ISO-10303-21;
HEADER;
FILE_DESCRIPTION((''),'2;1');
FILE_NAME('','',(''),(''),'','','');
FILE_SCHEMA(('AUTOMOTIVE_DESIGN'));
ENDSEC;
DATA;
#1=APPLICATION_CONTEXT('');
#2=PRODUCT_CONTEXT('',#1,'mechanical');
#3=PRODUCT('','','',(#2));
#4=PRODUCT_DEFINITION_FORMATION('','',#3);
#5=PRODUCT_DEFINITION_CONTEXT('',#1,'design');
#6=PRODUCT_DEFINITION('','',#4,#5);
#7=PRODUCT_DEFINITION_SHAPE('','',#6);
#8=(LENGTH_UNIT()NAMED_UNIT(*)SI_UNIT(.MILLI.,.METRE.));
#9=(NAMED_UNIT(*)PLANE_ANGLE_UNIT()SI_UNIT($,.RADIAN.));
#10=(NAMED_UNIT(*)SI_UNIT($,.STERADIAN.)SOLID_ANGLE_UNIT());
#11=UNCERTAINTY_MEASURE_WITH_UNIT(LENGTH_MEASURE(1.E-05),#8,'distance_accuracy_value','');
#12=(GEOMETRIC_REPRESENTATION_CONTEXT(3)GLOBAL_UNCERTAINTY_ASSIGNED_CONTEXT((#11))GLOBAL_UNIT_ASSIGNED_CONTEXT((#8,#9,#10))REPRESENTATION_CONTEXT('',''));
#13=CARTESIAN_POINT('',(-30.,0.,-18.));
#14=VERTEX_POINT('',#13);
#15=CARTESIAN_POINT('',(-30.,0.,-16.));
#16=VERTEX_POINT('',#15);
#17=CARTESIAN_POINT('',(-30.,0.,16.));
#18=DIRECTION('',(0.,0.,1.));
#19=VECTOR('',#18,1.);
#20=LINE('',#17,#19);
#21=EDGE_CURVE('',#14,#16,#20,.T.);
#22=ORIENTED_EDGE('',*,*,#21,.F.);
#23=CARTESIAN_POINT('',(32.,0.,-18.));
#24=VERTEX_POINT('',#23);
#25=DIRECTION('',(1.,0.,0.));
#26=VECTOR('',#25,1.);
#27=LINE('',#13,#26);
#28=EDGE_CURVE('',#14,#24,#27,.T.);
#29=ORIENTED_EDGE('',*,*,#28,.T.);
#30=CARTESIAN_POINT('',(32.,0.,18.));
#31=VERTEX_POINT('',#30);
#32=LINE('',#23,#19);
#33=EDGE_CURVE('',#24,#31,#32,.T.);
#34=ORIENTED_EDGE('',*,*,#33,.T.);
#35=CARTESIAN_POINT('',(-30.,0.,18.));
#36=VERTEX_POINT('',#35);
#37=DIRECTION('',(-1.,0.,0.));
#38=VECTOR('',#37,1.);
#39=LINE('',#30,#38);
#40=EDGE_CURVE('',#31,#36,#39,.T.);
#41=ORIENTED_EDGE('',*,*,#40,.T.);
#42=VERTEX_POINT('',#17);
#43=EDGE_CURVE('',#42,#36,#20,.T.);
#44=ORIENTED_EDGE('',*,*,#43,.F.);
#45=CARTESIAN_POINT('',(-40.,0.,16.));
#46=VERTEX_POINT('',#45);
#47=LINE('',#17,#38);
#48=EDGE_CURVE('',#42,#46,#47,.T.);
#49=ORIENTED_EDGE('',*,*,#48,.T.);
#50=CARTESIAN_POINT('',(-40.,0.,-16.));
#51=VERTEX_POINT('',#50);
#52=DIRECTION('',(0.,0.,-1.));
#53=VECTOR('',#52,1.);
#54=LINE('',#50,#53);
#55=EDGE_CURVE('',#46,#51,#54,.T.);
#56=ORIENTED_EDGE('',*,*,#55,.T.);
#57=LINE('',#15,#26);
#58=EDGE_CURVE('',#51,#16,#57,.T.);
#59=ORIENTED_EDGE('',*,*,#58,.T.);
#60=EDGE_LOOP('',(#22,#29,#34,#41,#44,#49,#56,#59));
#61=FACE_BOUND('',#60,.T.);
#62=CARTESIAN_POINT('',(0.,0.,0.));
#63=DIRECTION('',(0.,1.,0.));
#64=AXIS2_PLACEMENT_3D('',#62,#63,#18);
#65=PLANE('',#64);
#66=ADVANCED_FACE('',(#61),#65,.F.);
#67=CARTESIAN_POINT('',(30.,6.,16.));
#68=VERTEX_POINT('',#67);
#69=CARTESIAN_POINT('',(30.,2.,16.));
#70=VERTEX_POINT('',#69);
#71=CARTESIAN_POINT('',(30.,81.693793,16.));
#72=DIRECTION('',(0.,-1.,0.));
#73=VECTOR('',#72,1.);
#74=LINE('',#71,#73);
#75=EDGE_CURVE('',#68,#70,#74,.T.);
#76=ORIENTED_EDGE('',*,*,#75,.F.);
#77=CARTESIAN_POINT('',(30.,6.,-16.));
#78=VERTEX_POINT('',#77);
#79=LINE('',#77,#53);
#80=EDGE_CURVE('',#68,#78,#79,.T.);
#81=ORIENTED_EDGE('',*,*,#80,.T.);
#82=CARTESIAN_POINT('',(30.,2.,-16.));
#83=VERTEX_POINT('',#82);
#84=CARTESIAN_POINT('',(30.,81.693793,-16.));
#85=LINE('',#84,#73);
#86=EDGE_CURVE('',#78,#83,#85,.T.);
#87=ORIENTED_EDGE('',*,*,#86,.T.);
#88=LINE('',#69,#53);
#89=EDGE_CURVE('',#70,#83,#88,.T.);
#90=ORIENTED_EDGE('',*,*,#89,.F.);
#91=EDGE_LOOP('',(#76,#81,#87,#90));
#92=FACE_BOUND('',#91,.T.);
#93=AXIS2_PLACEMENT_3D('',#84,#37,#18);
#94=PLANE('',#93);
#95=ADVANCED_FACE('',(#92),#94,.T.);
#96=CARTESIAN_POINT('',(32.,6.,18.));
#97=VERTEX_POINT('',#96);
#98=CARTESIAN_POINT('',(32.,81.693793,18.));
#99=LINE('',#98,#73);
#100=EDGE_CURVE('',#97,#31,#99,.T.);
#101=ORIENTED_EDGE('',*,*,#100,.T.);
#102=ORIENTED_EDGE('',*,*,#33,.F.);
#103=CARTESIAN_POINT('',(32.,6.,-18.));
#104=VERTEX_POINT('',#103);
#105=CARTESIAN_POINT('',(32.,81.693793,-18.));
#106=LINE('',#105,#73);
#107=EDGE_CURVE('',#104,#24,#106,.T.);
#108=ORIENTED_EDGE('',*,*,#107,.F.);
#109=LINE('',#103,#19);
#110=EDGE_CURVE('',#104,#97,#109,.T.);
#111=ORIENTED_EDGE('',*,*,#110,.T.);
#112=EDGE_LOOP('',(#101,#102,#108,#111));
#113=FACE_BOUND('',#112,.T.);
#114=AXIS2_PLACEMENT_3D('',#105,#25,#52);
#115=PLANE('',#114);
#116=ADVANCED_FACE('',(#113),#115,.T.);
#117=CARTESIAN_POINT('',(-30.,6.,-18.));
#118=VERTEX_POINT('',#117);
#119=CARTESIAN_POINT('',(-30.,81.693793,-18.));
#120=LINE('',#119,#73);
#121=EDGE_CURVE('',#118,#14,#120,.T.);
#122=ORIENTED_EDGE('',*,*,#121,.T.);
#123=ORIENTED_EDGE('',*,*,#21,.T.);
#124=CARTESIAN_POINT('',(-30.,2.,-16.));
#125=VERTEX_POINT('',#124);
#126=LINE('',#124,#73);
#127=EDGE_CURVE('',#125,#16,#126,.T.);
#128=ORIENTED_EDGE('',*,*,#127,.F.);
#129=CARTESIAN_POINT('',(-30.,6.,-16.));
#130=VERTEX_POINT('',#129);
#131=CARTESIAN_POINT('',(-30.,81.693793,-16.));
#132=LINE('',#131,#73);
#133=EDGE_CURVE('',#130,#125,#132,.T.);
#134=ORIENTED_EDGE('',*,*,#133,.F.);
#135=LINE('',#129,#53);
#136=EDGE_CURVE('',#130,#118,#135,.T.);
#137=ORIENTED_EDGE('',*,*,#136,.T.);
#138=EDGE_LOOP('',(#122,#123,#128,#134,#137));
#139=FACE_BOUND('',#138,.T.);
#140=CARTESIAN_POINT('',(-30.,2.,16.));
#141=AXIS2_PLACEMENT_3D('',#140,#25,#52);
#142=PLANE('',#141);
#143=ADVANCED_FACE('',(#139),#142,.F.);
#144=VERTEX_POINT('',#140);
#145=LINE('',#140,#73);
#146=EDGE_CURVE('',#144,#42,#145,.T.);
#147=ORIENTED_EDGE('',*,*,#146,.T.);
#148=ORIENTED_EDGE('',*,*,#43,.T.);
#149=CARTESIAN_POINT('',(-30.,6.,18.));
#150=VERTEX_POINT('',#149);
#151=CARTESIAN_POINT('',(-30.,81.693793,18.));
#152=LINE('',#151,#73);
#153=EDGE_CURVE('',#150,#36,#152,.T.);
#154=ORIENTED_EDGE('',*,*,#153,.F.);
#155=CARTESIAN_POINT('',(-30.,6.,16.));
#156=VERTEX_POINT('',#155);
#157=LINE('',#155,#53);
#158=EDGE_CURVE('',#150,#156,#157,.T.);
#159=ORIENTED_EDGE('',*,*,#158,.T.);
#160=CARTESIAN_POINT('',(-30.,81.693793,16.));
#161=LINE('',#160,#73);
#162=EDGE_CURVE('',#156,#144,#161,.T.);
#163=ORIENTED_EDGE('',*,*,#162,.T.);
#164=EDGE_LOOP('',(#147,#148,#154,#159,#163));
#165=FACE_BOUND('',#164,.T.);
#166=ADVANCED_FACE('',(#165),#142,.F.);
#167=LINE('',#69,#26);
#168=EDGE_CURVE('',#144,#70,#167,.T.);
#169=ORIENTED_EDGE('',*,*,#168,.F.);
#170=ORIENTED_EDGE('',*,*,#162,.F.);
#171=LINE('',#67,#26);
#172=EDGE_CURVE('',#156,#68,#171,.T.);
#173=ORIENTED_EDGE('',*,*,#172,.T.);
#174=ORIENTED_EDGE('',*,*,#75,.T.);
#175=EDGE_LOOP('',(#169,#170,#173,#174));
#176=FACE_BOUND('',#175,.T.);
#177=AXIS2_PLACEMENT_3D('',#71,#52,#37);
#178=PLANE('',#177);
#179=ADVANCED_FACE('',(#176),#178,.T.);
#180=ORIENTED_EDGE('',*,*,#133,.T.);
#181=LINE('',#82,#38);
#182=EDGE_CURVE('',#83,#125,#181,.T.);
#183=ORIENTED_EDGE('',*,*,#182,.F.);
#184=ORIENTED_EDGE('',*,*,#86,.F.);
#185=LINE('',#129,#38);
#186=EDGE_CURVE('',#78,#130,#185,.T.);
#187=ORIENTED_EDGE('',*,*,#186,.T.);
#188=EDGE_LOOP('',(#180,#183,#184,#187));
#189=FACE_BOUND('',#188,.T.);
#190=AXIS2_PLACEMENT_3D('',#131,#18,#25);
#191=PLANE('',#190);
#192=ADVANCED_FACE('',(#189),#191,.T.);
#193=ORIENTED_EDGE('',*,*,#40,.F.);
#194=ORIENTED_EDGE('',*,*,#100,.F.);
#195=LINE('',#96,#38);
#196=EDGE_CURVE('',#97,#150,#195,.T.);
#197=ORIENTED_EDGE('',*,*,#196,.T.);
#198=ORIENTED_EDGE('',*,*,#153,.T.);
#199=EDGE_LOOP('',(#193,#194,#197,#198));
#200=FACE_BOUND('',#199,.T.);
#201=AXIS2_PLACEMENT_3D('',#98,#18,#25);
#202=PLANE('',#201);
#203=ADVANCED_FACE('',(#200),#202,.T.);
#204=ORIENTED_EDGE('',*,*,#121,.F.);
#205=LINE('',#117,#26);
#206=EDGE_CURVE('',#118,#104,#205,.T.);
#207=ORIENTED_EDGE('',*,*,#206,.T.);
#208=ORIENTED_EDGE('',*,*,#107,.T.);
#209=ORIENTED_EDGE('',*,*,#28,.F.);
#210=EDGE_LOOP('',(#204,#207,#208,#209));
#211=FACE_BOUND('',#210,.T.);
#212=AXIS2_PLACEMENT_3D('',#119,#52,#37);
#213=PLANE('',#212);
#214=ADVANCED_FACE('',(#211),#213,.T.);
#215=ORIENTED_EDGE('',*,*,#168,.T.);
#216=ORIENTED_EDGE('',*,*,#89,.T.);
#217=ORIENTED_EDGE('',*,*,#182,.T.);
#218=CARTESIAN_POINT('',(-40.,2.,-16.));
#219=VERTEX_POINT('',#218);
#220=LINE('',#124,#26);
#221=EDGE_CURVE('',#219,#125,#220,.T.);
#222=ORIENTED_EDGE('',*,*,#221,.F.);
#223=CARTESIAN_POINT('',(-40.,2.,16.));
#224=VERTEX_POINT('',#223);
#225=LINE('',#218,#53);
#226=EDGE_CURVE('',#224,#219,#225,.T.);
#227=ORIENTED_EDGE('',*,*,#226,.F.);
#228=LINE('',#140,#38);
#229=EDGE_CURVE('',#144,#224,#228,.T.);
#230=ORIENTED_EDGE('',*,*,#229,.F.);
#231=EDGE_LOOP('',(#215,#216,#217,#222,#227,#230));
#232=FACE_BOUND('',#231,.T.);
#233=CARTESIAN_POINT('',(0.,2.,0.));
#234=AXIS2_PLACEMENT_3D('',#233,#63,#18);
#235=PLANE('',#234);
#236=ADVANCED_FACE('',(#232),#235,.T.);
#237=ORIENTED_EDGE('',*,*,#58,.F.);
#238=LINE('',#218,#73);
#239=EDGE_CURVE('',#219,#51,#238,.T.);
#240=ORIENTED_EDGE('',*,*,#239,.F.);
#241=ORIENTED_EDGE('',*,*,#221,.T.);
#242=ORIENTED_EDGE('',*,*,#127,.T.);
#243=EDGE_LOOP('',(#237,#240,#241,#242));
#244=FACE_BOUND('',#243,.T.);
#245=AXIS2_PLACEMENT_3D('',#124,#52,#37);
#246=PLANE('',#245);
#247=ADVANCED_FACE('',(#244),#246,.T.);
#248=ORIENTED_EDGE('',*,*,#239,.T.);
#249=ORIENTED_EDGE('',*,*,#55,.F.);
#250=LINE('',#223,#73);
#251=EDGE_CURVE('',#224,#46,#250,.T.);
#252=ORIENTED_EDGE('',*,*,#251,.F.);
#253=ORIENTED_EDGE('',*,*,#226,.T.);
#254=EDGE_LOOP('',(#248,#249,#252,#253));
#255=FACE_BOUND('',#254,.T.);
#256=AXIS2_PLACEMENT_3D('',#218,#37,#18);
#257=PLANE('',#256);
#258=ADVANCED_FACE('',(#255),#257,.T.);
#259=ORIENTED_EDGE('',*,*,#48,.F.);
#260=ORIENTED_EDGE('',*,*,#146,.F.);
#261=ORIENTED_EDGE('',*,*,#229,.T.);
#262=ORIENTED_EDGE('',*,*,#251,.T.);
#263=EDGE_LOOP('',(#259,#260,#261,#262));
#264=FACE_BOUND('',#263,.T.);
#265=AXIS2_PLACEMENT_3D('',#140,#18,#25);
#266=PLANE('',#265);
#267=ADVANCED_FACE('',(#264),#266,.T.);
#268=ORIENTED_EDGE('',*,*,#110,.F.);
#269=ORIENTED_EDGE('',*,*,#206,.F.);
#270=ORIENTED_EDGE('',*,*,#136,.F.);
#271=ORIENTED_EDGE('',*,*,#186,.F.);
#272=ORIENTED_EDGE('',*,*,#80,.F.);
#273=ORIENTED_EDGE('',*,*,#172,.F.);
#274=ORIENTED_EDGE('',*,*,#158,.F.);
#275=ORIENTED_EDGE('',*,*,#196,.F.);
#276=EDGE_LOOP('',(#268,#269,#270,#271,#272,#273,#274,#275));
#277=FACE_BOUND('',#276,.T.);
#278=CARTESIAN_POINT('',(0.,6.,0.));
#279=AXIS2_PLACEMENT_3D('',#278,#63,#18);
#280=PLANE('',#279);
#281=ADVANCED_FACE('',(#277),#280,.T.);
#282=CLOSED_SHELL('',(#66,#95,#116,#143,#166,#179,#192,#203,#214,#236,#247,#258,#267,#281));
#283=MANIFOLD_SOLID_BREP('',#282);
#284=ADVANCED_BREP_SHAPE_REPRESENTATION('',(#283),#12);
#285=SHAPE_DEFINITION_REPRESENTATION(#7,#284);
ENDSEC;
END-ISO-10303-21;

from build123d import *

# Parameters (mm, degrees)
SKETCH1_W           = 60
SKETCH1_H           = 32
BOSS_EXTRUDE1_DEPTH = 2
BOSS_EXTRUDE2_DEPTH = 6
SKETCH3_W           = 10
SKETCH3_H           = 32
BOSS_EXTRUDE3_DEPTH = 2


with BuildPart() as part:
    # Sketch1 → Boss-Extrude1 (new body)
    with BuildSketch(Plane(origin=(0, 0, 0), x_dir=(1, 0, 0), z_dir=(0, 1, 0))):
        Rectangle(SKETCH1_W, SKETCH1_H)
    extrude(amount=BOSS_EXTRUDE1_DEPTH)

    # Sketch2 → Boss-Extrude2 (add)
    with BuildSketch(Plane.XZ):
        Polygon((-30, -18), (32, -18), (32, 18), (-30, 18), (-30, 16), (30, 16), (30, -16), (-30, -16), align=None)
    extrude(amount=-BOSS_EXTRUDE2_DEPTH)

    # Sketch3 → Boss-Extrude3 (add)
    with BuildSketch(Plane.XZ):
        with Locations((-35, 0)):
            Rectangle(SKETCH3_W, SKETCH3_H)
    extrude(amount=-BOSS_EXTRUDE3_DEPTH)


solid = part.part
